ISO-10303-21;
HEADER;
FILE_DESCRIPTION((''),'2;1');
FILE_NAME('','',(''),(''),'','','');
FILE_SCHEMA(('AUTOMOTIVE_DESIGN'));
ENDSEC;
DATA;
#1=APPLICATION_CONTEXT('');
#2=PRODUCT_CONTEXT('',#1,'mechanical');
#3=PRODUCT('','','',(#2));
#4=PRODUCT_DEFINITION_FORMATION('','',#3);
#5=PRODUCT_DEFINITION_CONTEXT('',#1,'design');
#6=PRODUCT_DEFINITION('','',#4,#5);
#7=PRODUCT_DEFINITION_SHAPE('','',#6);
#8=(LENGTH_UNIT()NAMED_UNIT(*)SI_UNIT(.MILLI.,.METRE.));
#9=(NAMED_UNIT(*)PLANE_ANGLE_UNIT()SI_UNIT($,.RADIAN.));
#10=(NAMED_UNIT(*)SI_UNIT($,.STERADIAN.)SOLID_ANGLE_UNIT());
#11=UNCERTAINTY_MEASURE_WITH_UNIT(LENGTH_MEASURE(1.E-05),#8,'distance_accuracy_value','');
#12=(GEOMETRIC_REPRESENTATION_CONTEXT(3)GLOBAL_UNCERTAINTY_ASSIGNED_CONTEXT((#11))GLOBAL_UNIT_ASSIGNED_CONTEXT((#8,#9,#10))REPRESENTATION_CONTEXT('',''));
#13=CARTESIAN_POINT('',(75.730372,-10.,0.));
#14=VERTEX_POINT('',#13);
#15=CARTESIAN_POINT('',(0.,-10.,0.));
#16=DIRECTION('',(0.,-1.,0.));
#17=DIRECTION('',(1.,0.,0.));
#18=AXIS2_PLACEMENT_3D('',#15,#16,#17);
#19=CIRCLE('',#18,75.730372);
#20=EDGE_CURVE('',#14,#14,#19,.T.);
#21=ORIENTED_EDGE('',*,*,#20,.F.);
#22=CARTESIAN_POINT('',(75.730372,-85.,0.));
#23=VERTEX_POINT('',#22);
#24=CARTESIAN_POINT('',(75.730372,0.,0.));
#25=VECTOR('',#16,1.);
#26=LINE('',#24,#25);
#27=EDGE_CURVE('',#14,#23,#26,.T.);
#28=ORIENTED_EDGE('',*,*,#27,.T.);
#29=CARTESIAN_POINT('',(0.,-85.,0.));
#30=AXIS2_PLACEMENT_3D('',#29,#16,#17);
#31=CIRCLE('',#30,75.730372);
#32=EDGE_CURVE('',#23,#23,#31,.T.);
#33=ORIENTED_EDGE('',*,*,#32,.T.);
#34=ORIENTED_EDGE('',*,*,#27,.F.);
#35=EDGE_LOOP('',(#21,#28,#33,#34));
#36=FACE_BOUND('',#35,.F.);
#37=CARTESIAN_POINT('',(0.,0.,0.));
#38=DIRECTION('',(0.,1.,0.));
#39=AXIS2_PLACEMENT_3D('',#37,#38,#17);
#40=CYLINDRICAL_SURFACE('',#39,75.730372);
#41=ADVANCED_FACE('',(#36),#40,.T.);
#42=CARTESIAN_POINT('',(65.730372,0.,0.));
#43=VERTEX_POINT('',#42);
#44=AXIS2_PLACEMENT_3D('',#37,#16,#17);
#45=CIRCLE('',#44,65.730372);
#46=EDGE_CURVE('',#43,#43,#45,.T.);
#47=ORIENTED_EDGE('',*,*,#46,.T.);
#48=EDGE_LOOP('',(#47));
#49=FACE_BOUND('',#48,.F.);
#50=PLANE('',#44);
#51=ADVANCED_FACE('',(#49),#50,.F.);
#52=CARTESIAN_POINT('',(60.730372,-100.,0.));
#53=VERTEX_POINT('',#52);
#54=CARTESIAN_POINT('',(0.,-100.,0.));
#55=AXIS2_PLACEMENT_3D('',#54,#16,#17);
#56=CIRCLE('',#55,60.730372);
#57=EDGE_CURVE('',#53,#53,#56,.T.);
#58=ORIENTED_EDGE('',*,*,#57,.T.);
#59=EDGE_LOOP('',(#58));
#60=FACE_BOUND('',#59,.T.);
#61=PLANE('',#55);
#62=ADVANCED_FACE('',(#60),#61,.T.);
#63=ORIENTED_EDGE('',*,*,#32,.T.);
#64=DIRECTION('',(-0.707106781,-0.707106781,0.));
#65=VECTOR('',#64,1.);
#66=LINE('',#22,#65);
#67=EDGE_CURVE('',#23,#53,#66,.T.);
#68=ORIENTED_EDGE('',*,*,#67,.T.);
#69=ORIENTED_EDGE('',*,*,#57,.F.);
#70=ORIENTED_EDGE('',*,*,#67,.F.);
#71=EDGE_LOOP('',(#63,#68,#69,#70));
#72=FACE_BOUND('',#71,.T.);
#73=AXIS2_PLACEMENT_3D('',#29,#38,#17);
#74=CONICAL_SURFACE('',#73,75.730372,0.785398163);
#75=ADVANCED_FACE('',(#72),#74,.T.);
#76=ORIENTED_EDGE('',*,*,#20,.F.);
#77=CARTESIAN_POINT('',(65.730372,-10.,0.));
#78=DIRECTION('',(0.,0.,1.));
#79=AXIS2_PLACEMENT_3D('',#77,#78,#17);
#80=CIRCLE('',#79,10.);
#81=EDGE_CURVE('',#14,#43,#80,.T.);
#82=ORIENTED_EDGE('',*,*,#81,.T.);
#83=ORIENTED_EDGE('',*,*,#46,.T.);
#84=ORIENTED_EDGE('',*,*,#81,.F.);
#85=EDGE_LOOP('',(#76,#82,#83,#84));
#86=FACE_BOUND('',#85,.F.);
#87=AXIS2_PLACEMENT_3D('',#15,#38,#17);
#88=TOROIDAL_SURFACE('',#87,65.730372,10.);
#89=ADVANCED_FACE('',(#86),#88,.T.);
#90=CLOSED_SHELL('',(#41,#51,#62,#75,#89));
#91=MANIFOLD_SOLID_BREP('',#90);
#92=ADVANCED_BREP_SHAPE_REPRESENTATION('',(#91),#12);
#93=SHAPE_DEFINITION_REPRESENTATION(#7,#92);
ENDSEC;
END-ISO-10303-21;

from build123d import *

# Parameters (mm, degrees)
F1_R     = 75.730372
F2_DEPTH = 100
F3_R     = 10
F4_SIZE  = 15


with BuildPart() as f2:
    # F1 (on face) → F2 (new body)
    with BuildSketch(Plane.XZ):
        Circle(F1_R)
    extrude(amount=F2_DEPTH)

    # F3
    f3_edges = [f2.edges().sort_by_distance(p)[0] for p in [
        (-75.730372, 0, 0),
    ]]
    fillet(f3_edges, radius=F3_R)

    # F4
    f4_edges = [f2.edges().sort_by_distance(p)[0] for p in [
        (-75.730372, -100, 0),
    ]]
    chamfer(f4_edges, length=F4_SIZE)


solid = f2.part
